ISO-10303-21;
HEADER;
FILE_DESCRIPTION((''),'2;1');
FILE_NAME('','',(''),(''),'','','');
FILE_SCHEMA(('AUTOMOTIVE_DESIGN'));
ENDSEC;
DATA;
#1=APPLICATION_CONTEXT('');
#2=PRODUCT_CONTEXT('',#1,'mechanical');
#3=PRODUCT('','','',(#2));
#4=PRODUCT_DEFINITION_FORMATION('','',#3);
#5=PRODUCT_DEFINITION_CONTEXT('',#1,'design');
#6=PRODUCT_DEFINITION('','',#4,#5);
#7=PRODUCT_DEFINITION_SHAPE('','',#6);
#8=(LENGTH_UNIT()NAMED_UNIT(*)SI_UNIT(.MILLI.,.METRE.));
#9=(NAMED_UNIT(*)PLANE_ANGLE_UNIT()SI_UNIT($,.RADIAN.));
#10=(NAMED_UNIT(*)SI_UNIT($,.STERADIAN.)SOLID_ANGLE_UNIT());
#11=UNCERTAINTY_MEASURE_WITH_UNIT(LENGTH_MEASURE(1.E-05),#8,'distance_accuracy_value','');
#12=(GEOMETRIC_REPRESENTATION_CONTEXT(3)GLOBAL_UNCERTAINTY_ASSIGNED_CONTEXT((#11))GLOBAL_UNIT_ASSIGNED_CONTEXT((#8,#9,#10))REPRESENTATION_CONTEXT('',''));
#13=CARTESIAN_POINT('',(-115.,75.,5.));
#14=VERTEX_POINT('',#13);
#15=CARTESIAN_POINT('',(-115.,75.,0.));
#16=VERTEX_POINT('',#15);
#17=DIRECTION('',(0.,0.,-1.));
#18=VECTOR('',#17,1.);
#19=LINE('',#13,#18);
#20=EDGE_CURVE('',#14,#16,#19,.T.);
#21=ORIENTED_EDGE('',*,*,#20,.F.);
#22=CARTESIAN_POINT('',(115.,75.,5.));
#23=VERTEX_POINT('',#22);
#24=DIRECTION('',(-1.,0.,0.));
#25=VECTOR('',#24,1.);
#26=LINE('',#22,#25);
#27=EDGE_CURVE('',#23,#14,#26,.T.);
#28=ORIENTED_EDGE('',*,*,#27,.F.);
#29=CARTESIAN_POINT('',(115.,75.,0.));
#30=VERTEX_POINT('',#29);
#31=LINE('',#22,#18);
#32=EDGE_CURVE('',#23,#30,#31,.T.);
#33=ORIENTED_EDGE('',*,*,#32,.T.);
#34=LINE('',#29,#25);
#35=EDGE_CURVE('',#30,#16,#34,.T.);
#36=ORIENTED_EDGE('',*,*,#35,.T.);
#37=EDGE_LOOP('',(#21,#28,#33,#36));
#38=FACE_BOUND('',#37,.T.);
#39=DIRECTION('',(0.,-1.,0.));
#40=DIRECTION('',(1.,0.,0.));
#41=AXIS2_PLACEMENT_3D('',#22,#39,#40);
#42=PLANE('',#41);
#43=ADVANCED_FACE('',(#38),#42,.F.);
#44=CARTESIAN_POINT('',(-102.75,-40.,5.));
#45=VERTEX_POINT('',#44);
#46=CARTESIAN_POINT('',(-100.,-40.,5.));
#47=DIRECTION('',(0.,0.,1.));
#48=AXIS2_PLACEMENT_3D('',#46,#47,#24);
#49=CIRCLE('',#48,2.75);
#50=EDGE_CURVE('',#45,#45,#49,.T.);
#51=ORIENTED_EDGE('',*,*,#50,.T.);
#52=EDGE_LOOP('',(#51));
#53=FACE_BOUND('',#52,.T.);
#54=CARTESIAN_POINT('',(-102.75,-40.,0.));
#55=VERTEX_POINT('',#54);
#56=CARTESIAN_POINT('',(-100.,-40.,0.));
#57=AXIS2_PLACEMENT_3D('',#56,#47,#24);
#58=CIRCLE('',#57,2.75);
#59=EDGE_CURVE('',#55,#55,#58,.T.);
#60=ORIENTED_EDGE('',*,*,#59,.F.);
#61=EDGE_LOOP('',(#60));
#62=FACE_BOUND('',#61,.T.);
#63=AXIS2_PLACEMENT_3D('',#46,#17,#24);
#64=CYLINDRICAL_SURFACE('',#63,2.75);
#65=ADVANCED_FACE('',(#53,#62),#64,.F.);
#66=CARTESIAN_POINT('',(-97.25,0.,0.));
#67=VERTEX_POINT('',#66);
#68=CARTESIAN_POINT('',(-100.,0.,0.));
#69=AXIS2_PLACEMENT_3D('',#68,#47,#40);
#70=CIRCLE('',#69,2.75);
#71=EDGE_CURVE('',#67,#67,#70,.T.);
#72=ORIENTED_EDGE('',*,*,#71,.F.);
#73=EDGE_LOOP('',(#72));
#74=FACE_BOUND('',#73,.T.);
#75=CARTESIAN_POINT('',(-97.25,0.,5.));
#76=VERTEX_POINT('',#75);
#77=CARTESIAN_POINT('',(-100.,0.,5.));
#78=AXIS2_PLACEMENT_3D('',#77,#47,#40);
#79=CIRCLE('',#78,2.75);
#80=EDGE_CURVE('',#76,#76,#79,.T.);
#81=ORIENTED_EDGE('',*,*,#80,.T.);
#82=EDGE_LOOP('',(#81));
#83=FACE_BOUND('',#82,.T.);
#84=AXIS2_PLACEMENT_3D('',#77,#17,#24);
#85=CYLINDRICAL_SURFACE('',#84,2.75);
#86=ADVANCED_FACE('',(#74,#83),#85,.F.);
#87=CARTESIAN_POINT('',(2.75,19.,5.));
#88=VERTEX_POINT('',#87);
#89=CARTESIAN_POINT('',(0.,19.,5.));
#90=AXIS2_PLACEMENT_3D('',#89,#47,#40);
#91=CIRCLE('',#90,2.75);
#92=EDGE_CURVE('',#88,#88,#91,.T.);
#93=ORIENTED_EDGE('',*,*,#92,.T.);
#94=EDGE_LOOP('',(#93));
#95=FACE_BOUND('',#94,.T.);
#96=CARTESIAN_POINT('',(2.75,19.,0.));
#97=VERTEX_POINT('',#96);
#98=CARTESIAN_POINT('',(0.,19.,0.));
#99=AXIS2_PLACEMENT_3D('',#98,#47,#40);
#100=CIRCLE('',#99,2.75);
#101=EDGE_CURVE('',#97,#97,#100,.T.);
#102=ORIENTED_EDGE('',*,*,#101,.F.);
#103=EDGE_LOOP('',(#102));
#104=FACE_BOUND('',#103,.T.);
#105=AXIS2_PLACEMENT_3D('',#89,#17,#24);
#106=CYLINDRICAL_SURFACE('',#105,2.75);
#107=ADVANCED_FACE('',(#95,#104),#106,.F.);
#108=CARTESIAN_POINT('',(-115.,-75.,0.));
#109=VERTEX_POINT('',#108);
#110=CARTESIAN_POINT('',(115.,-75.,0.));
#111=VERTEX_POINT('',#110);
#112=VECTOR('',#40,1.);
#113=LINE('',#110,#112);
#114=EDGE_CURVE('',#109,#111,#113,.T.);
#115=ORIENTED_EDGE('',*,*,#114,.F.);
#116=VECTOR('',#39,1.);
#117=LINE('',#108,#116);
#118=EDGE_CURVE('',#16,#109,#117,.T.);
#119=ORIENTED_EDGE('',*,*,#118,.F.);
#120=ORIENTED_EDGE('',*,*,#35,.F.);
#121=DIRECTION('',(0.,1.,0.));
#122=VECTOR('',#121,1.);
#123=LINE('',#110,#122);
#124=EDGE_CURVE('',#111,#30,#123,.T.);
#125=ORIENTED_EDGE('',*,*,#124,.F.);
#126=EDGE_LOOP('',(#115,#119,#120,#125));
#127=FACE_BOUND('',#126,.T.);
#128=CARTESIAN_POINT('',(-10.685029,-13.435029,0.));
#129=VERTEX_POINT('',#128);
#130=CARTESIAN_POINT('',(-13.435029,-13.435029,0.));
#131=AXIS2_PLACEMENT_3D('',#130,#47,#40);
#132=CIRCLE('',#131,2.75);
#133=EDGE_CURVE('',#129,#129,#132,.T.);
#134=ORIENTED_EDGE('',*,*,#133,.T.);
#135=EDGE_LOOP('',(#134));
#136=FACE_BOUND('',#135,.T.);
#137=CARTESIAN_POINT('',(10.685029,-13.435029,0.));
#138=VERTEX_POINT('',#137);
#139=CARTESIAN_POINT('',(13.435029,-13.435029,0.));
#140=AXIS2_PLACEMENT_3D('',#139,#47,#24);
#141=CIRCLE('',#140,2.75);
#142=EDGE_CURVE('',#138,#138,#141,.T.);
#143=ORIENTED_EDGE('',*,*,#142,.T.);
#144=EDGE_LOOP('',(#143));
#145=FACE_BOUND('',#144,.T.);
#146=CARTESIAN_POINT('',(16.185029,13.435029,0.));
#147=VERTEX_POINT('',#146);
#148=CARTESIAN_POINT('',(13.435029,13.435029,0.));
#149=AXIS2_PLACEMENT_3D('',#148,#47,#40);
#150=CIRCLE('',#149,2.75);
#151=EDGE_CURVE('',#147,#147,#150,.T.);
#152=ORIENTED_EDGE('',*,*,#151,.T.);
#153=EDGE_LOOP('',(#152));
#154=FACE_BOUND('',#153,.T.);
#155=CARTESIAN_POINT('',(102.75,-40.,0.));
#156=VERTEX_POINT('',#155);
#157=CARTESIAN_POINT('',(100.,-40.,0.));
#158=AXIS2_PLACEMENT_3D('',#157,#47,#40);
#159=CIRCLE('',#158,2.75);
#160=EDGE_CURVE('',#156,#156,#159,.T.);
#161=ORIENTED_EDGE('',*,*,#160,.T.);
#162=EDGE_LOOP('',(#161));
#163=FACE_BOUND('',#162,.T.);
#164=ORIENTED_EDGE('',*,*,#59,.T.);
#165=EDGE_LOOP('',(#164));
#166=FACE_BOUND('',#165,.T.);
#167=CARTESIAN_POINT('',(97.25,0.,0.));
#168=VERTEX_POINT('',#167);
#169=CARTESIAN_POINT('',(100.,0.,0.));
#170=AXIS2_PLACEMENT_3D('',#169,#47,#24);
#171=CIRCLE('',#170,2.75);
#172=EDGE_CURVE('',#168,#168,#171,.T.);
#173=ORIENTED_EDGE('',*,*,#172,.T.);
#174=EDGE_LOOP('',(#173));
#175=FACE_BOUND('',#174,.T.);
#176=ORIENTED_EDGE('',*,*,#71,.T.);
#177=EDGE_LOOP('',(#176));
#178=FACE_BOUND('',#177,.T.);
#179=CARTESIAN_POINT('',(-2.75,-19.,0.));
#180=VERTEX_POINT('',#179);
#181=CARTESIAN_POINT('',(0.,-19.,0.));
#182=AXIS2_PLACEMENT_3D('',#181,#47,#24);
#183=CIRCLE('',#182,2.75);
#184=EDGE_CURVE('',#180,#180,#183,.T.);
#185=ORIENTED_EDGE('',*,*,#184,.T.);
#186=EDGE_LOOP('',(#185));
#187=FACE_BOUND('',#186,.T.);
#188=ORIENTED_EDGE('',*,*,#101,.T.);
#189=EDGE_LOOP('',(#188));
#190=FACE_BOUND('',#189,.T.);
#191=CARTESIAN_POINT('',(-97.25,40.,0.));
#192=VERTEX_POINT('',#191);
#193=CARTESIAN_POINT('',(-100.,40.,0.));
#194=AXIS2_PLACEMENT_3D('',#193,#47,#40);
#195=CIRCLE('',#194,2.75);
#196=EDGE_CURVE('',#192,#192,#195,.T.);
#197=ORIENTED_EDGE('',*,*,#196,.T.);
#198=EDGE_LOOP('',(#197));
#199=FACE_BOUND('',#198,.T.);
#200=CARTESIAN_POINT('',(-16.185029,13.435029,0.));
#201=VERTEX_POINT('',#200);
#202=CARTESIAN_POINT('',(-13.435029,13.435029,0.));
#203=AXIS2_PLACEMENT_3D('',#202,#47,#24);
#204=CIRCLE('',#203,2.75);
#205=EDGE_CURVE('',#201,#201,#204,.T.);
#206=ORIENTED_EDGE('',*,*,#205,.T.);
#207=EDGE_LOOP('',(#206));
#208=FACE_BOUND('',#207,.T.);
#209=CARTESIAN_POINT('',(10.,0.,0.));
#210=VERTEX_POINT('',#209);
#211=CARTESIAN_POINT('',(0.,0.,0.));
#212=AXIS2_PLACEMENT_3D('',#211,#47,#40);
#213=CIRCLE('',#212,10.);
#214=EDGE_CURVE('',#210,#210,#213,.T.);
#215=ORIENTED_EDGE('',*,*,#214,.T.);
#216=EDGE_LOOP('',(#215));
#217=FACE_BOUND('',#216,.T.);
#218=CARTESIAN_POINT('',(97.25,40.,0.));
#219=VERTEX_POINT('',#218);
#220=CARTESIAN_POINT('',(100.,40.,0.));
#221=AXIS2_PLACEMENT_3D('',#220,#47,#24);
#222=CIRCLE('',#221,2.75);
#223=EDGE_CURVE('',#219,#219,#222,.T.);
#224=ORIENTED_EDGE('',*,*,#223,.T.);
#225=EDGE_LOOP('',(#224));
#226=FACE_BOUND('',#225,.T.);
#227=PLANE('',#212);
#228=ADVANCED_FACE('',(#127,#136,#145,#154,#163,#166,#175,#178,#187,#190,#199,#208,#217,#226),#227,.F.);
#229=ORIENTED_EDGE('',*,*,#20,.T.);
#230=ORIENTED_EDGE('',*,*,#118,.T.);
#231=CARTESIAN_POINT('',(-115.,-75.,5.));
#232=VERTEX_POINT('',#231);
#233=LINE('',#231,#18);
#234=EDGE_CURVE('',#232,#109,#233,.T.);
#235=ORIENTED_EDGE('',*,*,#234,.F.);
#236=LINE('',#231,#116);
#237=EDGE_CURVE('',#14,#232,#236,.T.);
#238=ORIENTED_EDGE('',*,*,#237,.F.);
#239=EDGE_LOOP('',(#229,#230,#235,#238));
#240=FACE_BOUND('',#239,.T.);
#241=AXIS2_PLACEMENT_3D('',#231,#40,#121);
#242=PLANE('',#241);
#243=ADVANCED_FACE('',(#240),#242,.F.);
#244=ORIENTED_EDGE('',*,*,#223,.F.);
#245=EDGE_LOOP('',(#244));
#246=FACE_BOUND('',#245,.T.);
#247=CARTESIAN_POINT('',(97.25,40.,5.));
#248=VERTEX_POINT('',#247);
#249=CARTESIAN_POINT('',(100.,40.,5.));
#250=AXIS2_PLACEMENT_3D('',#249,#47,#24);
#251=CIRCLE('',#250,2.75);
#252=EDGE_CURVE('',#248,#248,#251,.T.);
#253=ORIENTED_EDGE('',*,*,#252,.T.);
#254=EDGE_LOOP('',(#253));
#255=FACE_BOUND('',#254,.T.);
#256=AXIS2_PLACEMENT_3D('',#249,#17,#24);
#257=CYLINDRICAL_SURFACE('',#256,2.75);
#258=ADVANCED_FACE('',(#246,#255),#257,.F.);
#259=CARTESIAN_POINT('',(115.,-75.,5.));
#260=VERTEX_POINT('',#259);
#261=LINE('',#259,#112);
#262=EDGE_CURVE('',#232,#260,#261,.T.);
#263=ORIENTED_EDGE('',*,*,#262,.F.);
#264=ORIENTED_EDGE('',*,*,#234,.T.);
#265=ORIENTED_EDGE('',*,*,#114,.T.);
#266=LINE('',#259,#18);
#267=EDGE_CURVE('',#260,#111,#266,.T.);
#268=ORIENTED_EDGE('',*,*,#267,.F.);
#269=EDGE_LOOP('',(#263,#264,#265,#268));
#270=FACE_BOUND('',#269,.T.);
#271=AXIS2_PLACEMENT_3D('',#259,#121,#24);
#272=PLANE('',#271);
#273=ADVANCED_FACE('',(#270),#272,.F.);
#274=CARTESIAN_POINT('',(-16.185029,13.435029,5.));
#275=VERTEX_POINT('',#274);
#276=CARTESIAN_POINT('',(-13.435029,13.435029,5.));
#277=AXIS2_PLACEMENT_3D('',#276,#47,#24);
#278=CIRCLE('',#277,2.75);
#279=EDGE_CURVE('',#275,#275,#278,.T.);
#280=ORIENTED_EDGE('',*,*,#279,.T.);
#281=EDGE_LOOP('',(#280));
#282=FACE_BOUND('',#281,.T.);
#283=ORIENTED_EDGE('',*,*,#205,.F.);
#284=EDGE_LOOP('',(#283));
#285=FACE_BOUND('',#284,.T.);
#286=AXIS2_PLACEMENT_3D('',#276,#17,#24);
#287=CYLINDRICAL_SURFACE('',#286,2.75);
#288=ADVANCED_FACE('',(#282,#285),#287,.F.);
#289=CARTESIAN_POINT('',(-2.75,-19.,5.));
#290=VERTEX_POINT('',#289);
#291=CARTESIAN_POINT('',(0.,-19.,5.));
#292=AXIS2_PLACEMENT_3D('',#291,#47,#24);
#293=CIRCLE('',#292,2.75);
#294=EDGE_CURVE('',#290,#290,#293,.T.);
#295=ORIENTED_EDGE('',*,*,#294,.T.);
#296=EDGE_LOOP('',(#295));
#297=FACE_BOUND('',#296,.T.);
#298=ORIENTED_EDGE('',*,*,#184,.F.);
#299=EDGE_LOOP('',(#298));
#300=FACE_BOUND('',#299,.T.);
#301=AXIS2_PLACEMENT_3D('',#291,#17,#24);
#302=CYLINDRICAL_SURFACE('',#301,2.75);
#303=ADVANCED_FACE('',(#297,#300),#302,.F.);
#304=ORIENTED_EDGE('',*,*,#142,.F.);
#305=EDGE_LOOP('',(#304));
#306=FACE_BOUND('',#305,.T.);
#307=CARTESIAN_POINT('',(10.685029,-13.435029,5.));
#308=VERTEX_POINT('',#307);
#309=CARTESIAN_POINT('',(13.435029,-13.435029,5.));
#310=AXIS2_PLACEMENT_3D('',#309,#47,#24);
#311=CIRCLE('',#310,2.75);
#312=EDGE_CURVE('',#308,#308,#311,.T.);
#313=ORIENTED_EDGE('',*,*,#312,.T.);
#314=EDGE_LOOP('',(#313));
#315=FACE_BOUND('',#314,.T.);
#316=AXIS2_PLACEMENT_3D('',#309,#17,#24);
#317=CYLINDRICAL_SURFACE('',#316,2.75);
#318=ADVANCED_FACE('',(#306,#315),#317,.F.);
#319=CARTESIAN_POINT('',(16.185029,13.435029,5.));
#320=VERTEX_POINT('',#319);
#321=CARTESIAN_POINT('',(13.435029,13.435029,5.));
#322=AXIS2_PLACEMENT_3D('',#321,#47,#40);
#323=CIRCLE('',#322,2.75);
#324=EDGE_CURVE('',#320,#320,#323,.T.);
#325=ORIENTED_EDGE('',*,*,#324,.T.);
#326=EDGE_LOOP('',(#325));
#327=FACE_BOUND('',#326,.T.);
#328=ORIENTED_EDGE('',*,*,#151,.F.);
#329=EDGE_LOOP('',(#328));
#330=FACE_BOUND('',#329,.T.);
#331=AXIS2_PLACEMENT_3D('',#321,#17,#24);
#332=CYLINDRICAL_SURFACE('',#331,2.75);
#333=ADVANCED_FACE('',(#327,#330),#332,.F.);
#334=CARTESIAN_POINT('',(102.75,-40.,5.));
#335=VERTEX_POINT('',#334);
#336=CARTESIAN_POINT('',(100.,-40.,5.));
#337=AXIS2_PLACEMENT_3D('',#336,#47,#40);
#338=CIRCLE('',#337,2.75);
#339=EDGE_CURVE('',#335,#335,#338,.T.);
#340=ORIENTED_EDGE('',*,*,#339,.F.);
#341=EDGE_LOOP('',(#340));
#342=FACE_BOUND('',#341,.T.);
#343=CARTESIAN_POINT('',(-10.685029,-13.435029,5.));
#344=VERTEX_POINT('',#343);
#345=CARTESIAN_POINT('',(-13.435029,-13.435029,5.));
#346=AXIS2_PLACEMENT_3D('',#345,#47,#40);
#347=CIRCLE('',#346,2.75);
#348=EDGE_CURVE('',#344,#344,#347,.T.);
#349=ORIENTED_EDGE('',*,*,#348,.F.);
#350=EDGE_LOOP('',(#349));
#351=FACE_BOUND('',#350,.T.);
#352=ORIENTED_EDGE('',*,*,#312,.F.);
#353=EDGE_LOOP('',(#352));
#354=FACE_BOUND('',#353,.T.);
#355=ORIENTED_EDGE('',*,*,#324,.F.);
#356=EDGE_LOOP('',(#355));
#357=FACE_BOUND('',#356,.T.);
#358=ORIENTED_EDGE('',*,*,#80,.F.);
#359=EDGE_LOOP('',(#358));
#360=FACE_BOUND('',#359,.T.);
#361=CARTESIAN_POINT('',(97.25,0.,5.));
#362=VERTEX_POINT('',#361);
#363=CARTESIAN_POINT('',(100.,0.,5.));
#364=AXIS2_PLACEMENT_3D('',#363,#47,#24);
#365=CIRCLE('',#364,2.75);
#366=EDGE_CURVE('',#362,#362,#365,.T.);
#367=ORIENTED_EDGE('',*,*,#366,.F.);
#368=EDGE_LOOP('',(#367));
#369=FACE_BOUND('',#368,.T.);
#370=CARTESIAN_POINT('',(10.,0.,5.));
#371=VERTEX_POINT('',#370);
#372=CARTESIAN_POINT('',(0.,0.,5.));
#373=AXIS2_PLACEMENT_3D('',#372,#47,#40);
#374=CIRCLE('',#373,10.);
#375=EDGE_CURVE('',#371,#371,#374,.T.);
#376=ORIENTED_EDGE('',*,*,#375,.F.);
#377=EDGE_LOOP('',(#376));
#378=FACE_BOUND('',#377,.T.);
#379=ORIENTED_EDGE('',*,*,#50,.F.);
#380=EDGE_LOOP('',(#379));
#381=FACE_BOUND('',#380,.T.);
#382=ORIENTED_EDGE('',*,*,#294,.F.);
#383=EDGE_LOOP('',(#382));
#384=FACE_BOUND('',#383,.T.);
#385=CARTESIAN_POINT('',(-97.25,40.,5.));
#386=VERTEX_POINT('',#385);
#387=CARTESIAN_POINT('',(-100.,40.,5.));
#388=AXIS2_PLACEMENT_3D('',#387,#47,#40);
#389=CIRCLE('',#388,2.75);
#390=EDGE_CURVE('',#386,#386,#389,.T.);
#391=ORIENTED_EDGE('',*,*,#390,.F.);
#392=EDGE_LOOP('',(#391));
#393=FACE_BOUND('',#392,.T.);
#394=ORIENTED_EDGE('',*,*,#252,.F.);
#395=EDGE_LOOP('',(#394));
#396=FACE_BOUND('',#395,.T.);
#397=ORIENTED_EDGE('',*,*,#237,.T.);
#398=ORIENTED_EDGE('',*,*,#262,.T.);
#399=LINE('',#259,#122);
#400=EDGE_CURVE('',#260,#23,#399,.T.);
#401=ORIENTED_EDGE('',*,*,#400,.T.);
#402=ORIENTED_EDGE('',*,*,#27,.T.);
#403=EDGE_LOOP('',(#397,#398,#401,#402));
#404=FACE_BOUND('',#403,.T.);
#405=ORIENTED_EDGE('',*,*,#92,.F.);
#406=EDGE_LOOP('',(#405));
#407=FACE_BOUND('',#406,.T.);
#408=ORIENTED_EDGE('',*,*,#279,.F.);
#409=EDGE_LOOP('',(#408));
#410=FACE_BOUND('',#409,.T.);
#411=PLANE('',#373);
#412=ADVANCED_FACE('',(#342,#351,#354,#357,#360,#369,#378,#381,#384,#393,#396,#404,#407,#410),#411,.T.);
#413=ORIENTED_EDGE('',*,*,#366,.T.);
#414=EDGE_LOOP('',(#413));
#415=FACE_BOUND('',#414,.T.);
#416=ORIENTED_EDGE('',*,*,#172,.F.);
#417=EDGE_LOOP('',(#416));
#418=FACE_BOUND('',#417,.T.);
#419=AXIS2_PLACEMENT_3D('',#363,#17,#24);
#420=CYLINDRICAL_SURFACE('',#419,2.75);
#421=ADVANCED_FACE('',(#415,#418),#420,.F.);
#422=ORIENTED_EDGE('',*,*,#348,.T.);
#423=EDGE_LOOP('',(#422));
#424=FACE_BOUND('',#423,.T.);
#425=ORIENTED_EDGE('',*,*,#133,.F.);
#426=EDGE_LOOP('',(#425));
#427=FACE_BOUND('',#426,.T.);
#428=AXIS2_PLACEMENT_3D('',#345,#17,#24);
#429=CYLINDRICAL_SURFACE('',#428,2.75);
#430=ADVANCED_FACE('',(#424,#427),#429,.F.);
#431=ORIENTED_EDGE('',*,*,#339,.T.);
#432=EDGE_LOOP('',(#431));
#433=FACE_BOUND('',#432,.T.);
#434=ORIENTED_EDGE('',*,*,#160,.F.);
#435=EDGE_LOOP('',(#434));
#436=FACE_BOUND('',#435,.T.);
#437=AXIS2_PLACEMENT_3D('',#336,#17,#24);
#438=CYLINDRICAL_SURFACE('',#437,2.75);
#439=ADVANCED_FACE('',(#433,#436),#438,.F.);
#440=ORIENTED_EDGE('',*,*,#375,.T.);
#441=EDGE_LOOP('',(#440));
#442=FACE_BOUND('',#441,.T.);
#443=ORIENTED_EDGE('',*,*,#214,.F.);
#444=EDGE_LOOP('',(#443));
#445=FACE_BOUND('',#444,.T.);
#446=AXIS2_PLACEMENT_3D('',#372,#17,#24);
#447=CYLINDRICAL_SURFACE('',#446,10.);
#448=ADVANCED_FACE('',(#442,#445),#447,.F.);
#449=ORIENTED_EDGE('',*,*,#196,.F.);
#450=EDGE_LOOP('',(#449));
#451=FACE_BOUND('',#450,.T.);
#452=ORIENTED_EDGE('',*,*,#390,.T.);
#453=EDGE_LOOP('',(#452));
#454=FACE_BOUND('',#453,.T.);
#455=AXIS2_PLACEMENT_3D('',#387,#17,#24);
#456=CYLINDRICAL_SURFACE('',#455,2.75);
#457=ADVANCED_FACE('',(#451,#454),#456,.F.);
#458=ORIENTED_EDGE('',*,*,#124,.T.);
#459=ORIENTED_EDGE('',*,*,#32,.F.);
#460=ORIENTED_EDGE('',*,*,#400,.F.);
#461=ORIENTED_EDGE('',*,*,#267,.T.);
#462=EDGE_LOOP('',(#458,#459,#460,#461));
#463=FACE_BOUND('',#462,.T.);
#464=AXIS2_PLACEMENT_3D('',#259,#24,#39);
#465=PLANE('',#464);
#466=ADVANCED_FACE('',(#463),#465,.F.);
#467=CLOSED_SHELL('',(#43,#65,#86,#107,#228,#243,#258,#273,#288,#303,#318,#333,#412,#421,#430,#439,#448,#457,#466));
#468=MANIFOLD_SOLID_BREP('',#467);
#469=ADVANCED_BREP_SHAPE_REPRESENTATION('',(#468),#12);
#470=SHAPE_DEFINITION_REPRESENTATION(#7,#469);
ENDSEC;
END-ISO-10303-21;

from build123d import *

# Parameters (mm, degrees)
SKETCH_1_W      = 230
SKETCH_1_H      = 150
SKETCH_1_R      = 10
SKETCH_1_R_2    = 2.75
EXTRUDE_1_DEPTH = 5


with BuildPart() as part:
    # 草图1 → 凸台-拉伸1 (new body)
    with BuildSketch(Plane.XY):
        Rectangle(SKETCH_1_W, SKETCH_1_H)
        Circle(SKETCH_1_R, mode=Mode.SUBTRACT)
        with Locations((0, 19)):
            Circle(SKETCH_1_R_2, mode=Mode.SUBTRACT)
        with Locations((13.435028843, 13.435028843)):
            Circle(SKETCH_1_R_2, mode=Mode.SUBTRACT)
        with Locations(Location((-13.435028843, 13.435028843, 0), (0, 0, 180))):
            Circle(SKETCH_1_R_2, mode=Mode.SUBTRACT)
        with Locations(Location((13.435028843, -13.435028843, 0), (0, 0, 180))):
            Circle(SKETCH_1_R_2, mode=Mode.SUBTRACT)
        with Locations((-13.435028843, -13.435028843)):
            Circle(SKETCH_1_R_2, mode=Mode.SUBTRACT)
        with Locations(Location((0, -19, 0), (0, 0, 180))):
            Circle(SKETCH_1_R_2, mode=Mode.SUBTRACT)
        with Locations((-100, 0)):
            Circle(SKETCH_1_R_2, mode=Mode.SUBTRACT)
        with Locations((-100, 40)):
            Circle(SKETCH_1_R_2, mode=Mode.SUBTRACT)
        with Locations(Location((-100, -40, 0), (0, 0, 180))):
            Circle(SKETCH_1_R_2, mode=Mode.SUBTRACT)
        with Locations((100, -40)):
            Circle(SKETCH_1_R_2, mode=Mode.SUBTRACT)
        with Locations(Location((100, 0, 0), (0, 0, 180))):
            Circle(SKETCH_1_R_2, mode=Mode.SUBTRACT)
        with Locations(Location((100, 40, 0), (0, 0, 180))):
            Circle(SKETCH_1_R_2, mode=Mode.SUBTRACT)
    extrude(amount=EXTRUDE_1_DEPTH)


solid = part.part
